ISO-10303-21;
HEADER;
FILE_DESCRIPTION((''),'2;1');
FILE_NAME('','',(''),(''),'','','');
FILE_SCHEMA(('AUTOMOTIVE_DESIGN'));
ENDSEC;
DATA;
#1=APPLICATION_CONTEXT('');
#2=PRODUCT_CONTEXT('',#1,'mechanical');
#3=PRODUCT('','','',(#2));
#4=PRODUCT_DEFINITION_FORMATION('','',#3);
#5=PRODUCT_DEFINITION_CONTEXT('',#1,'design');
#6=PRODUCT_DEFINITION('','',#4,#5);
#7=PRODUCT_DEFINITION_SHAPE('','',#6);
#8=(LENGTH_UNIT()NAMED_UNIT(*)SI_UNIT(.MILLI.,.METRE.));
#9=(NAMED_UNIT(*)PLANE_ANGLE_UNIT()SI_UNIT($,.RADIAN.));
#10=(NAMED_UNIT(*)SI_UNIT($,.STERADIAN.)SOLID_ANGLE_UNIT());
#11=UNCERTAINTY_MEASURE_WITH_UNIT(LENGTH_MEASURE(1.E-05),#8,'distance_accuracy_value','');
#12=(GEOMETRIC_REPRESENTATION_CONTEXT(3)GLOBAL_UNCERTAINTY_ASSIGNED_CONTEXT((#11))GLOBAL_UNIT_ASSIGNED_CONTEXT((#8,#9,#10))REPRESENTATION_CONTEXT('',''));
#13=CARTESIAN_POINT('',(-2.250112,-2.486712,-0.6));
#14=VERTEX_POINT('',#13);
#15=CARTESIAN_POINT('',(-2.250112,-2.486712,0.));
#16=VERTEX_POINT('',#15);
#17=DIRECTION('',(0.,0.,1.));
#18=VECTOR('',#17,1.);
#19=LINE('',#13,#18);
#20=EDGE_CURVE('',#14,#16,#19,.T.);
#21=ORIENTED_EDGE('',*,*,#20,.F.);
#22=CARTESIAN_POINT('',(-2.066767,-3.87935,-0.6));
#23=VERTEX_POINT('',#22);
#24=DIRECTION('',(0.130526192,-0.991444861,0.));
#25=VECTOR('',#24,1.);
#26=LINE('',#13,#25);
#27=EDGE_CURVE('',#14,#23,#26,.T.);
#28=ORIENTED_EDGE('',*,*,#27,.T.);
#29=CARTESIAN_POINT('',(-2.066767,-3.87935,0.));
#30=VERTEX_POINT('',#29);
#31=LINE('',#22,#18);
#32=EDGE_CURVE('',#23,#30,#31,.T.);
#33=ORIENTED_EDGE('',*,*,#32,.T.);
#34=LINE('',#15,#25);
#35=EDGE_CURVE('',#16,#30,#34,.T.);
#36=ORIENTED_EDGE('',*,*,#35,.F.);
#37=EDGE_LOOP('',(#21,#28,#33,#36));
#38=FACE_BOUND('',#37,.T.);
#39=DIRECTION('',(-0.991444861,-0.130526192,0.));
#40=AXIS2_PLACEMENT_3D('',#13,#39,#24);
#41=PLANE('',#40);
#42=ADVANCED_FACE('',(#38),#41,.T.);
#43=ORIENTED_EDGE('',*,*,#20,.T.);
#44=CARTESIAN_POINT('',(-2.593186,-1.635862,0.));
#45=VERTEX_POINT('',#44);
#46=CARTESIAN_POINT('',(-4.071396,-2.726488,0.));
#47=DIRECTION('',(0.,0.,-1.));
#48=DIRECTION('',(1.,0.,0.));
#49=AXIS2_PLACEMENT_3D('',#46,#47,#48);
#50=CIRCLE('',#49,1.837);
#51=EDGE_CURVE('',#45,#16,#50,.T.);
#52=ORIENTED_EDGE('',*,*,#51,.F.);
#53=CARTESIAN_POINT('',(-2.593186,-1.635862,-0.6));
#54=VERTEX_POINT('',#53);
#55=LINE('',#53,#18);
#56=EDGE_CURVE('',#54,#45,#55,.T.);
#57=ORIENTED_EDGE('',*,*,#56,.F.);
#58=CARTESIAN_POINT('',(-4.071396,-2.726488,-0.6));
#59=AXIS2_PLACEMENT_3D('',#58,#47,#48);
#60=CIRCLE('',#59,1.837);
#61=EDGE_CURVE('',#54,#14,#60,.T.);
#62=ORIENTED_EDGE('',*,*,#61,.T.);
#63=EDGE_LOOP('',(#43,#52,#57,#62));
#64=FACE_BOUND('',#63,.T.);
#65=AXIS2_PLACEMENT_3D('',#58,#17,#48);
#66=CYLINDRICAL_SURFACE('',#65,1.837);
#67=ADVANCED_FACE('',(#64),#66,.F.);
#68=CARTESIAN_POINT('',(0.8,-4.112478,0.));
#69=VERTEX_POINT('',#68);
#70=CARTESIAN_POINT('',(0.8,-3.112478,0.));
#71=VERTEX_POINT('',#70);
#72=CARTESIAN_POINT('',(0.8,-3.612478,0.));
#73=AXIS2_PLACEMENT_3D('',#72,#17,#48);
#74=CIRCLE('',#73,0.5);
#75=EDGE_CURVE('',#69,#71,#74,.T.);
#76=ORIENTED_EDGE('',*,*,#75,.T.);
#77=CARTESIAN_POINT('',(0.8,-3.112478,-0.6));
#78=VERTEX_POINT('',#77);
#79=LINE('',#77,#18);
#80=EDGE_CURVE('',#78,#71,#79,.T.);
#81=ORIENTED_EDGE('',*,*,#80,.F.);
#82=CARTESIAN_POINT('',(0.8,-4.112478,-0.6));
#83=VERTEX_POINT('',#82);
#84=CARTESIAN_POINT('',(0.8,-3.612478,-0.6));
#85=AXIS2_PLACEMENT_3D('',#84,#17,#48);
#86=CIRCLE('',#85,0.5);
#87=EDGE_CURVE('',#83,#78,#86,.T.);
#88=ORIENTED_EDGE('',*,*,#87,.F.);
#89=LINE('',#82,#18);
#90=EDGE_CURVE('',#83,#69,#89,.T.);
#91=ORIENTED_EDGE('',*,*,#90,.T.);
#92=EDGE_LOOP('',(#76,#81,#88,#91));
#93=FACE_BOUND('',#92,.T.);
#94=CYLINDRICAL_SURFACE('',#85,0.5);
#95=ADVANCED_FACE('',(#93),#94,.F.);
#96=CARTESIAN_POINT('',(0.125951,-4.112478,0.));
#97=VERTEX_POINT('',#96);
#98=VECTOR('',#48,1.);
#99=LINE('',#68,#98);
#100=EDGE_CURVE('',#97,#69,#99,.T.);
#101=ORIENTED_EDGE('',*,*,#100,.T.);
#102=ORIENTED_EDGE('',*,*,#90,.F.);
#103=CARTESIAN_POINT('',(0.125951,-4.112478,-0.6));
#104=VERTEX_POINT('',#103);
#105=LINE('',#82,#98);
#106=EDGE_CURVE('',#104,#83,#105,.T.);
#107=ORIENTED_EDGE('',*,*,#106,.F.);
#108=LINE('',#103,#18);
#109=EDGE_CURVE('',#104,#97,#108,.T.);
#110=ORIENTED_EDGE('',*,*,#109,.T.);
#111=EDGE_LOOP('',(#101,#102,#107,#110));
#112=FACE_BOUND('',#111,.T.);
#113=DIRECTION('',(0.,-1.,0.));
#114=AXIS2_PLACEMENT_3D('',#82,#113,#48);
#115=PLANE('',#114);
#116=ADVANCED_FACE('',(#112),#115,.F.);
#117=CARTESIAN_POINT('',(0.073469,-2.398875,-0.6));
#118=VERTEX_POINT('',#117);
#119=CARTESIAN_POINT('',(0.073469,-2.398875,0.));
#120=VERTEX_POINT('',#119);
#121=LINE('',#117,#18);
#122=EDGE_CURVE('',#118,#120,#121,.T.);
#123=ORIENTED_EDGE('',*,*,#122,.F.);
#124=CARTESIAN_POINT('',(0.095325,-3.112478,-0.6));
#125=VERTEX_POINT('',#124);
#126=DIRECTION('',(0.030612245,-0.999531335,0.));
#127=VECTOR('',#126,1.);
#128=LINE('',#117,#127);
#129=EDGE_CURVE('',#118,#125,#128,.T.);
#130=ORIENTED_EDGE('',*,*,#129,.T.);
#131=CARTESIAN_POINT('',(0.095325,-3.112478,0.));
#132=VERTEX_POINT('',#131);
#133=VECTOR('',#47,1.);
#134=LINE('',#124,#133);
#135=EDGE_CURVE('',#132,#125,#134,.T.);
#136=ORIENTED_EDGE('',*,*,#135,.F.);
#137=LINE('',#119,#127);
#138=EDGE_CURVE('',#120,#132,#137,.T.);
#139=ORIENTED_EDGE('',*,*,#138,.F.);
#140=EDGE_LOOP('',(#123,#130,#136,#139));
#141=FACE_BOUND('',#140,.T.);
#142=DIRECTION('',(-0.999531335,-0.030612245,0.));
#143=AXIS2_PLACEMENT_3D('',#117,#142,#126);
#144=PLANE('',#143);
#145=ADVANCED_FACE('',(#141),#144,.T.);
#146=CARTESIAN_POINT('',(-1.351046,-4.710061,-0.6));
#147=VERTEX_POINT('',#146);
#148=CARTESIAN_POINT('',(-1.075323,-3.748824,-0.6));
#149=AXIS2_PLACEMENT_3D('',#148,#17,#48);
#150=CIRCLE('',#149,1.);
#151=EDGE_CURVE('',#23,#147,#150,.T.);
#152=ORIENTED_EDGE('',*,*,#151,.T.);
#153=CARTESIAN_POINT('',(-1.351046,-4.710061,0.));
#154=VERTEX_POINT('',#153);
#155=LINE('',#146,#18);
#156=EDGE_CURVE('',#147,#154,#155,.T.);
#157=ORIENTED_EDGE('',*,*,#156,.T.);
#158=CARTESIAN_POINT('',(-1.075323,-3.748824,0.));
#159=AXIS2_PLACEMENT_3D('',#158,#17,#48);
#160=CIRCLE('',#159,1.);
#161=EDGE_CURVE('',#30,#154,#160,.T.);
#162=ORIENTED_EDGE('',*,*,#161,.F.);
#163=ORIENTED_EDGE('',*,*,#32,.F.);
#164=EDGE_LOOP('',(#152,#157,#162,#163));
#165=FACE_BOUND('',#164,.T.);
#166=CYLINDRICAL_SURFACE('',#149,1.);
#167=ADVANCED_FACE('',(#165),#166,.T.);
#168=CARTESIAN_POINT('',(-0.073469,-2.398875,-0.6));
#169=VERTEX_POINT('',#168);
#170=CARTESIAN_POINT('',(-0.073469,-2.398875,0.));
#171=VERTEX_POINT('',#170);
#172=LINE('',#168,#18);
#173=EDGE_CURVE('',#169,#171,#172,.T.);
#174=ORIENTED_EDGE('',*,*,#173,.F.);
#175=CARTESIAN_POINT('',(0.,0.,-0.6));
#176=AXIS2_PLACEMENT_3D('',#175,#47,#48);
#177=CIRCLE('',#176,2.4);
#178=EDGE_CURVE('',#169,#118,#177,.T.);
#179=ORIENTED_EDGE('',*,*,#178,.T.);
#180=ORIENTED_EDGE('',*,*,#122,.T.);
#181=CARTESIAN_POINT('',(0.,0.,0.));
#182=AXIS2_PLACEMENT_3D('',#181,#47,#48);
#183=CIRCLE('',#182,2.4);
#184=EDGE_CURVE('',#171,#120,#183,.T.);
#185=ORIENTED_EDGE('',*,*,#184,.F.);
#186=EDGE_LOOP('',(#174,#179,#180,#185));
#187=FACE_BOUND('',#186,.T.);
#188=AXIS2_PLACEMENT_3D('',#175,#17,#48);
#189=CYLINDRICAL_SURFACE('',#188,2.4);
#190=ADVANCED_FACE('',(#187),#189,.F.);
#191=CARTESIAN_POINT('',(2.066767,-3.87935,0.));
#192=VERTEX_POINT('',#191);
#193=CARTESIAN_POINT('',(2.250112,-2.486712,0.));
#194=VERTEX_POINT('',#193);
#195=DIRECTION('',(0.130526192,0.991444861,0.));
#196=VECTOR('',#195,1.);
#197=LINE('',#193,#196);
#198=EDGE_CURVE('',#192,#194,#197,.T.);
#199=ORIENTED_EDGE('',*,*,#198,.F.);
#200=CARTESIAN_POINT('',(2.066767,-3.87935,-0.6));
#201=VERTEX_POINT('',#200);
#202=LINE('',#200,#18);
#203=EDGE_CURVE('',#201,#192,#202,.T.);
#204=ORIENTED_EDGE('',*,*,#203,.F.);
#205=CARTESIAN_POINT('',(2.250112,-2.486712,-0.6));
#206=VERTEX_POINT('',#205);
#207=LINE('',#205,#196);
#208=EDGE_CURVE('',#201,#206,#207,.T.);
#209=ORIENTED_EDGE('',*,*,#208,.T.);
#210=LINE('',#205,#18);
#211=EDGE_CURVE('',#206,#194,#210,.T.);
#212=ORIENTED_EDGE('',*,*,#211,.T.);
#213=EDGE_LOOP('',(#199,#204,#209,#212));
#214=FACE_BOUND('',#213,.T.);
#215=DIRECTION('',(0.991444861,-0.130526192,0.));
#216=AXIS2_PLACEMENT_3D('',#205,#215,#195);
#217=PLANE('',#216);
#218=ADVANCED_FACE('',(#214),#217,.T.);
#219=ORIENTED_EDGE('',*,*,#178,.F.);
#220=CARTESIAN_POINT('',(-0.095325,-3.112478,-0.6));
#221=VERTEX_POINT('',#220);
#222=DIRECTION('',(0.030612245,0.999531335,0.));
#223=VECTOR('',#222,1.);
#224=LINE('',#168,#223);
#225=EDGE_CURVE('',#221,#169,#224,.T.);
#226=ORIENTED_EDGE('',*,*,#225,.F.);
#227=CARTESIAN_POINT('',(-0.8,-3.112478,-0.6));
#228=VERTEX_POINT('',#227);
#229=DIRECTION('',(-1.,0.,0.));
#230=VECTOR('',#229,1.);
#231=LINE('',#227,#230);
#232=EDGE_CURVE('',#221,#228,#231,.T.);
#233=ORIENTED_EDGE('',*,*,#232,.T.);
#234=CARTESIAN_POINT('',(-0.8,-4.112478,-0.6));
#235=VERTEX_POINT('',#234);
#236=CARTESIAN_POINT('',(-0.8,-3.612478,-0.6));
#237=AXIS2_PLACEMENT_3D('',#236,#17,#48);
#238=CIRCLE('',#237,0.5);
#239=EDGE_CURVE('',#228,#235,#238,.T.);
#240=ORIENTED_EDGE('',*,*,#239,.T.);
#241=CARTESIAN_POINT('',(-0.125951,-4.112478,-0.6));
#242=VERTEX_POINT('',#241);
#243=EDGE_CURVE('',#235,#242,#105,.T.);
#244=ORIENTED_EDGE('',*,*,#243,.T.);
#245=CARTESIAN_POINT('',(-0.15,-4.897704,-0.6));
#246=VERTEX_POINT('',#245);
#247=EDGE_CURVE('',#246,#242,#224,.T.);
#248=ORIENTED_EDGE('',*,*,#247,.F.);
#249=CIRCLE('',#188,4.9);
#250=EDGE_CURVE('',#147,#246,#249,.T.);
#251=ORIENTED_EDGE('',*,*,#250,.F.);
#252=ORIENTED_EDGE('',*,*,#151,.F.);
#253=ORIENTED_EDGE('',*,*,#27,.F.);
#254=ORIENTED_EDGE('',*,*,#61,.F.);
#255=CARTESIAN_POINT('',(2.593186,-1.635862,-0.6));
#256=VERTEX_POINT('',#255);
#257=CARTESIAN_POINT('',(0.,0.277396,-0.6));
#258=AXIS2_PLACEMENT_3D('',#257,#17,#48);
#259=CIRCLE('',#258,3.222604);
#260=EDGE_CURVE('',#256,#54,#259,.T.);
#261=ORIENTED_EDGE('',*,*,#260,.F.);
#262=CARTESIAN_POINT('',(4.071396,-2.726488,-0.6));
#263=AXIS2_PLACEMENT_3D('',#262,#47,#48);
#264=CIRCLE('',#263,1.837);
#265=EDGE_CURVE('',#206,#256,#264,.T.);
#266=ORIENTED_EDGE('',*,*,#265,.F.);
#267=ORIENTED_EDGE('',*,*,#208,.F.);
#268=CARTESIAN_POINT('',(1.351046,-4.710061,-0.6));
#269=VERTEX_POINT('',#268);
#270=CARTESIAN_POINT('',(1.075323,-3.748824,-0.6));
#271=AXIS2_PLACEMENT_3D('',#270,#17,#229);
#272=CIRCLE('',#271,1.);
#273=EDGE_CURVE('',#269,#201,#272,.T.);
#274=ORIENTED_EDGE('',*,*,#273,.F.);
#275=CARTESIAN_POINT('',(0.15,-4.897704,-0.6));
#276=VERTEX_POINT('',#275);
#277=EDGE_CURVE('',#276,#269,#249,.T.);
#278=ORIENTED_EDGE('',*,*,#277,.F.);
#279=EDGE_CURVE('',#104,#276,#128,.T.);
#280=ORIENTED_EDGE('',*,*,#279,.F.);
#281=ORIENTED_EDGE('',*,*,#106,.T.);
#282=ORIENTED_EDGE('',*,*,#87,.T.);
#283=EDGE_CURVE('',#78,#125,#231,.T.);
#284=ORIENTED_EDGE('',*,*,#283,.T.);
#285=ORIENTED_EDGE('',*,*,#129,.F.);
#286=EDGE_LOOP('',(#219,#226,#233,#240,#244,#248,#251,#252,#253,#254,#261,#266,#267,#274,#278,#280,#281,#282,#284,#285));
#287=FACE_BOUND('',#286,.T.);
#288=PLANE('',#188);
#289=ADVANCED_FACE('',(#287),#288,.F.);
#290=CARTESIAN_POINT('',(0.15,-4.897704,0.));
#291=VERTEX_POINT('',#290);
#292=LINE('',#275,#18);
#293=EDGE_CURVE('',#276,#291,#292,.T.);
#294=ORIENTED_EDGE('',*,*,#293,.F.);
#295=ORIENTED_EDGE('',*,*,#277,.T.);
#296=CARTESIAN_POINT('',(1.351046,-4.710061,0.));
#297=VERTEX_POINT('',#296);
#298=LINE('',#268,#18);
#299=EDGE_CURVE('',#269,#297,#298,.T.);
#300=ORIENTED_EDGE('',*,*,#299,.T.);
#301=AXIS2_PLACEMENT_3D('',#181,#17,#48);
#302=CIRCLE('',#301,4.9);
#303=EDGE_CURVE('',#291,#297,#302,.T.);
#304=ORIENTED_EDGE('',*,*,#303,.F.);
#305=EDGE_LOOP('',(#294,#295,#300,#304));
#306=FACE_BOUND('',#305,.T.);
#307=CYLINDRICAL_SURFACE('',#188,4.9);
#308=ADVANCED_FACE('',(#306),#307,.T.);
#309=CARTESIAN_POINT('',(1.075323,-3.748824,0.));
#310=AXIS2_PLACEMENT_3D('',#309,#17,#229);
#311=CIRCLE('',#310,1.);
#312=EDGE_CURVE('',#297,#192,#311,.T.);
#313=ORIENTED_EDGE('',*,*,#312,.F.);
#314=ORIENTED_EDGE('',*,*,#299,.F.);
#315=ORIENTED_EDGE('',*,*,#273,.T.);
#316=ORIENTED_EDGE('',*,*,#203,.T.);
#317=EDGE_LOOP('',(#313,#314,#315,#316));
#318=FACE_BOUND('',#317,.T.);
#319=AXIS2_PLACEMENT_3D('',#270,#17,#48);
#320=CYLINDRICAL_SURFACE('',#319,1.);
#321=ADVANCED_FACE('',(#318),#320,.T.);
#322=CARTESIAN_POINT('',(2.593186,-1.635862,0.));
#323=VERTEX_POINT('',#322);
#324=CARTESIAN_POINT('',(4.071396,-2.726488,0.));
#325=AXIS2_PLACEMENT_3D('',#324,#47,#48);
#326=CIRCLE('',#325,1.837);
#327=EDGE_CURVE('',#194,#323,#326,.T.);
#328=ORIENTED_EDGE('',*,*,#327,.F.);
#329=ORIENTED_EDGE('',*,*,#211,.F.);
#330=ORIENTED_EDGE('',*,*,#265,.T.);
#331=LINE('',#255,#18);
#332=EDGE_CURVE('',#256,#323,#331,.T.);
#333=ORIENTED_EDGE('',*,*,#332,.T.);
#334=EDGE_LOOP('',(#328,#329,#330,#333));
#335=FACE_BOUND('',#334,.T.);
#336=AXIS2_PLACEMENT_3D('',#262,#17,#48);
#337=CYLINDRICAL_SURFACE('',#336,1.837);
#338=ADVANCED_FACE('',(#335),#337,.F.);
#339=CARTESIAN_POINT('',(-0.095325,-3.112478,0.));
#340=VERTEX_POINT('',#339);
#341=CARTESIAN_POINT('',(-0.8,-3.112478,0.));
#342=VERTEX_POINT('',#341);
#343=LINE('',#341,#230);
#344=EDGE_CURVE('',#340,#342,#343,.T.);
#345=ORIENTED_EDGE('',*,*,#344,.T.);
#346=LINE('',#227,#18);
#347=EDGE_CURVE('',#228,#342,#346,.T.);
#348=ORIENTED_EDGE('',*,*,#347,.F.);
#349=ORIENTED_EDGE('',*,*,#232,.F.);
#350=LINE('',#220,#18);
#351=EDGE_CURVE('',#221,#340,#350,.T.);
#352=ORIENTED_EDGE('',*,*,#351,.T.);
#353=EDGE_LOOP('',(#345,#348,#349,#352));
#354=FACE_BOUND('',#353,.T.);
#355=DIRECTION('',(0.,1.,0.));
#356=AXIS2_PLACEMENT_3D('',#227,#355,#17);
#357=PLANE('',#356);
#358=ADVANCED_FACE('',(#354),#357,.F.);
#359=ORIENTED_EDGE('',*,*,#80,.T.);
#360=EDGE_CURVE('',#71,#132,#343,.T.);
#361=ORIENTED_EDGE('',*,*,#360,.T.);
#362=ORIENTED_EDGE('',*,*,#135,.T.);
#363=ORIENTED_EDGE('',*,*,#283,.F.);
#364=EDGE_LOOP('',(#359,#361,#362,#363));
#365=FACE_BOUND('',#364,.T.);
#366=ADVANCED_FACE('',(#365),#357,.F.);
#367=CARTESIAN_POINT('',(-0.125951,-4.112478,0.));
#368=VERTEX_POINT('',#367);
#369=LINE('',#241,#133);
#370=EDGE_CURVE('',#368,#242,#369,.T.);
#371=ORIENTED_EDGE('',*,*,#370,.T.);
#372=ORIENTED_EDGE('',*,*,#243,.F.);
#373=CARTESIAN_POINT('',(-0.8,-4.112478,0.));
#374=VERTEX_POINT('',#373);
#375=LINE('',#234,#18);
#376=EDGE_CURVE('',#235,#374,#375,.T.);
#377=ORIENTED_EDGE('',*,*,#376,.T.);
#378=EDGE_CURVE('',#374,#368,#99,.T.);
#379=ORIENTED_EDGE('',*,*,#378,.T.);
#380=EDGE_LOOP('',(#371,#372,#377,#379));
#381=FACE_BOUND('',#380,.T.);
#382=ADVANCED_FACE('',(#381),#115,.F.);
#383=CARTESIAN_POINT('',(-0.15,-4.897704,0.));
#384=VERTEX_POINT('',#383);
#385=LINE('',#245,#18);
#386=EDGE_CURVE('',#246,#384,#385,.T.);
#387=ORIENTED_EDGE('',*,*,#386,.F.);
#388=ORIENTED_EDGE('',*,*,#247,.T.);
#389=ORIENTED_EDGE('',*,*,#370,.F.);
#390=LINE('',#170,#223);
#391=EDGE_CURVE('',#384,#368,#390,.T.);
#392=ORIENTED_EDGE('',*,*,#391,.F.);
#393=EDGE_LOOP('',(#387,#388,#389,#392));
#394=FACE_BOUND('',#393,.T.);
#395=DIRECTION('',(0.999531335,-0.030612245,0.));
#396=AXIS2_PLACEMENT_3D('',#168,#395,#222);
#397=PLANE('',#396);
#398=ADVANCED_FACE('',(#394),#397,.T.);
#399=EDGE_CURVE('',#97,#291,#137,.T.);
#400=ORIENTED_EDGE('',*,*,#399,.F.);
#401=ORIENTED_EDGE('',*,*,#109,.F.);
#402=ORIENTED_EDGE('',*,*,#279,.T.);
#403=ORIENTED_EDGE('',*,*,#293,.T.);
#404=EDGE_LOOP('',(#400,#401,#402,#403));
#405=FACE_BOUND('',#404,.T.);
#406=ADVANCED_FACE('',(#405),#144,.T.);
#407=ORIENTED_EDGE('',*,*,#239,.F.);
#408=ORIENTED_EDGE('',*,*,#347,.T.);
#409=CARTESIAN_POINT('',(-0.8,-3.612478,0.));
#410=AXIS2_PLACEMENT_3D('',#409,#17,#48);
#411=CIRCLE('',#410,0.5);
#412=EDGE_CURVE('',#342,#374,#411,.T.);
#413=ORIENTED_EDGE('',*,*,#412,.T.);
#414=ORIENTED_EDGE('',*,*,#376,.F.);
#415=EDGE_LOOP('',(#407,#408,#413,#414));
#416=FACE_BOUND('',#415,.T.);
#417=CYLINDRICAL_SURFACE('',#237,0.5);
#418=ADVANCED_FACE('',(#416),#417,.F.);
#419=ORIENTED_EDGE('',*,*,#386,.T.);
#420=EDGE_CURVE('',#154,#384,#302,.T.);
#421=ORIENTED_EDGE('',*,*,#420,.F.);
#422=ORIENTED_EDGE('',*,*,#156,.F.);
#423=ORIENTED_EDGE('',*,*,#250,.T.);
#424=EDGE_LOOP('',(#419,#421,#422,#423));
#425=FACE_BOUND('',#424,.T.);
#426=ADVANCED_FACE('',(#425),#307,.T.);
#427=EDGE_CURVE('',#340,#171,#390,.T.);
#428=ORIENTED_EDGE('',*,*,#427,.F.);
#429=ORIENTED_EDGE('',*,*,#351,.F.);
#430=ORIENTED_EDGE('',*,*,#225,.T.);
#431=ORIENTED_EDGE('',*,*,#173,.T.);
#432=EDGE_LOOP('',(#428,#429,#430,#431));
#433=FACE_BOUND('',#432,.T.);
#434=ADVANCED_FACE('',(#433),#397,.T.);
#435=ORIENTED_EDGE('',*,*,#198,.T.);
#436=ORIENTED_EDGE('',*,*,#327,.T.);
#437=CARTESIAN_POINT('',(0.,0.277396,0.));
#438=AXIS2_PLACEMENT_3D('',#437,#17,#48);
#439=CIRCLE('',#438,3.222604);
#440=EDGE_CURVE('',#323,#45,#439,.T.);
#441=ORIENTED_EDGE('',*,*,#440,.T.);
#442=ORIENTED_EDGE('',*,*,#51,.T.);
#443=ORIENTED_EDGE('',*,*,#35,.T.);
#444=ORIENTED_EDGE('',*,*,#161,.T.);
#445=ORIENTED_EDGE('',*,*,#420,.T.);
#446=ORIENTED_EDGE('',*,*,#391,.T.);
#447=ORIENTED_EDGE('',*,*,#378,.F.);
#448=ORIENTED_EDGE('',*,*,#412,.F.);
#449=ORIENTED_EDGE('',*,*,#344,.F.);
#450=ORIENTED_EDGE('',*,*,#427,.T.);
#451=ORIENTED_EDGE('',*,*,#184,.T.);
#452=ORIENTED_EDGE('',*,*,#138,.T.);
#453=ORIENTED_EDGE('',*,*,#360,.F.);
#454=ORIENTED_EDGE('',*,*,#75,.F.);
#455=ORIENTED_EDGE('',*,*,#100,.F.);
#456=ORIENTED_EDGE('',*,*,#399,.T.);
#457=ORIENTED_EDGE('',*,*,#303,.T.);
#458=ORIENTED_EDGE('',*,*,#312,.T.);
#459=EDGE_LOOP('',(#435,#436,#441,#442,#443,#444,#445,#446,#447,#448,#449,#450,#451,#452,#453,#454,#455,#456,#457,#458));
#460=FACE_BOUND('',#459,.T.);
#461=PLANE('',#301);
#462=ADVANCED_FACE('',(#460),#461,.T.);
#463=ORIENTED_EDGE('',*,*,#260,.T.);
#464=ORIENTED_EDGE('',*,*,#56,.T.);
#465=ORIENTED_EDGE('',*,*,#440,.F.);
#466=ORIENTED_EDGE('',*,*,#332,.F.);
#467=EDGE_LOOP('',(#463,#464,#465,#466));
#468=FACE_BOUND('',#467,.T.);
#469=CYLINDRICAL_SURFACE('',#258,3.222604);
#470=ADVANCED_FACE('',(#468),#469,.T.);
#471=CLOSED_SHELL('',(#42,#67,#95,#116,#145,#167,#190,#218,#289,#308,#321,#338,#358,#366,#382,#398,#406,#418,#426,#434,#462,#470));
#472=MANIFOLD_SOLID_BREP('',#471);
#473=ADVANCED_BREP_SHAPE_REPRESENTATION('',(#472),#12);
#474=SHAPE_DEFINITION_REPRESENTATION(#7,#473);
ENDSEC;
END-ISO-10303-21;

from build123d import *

# Parameters (mm, degrees)
BODYSKE_R   = 0.5
BODY_DEPTH  = 0.6
NOTSKE_W    = 1.6
NOTSKE_H    = 1
NOTCH_DEPTH = 6.893443333


with BuildPart() as part:
    # BodySke → Body (new body)
    with BuildSketch(Plane.XY):
        with BuildLine():
            Line((0.073469388, -2.398875205), (0.15, -4.897703543))
            ThreePointArc((0.15, -4.897703543), (0.756364658, -4.841271786), (1.351046377, -4.710060901))
            ThreePointArc((1.351046377, -4.710060901), (1.832916944, -4.40154969), (2.066767488, -3.879350174))
            Line((2.066767488, -3.879350174), (2.250111825, -2.486711672))
            ThreePointArc((2.250111825, -2.486711672), (2.367679184, -2.039525525), (2.593186415, -1.635862271))
            ThreePointArc((2.593186415, -1.635862271), (0, 3.5), (-2.593186415, -1.635862271))
            ThreePointArc((-2.593186415, -1.635862271), (-2.367679184, -2.039525525), (-2.250111825, -2.486711672))
            Line((-2.250111825, -2.486711672), (-2.066767488, -3.879350174))
            ThreePointArc((-2.066767488, -3.879350174), (-1.832916944, -4.40154969), (-1.351046377, -4.710060901))
            ThreePointArc((-1.351046377, -4.710060901), (-0.756364658, -4.841271786), (-0.15, -4.897703543))
            Line((-0.15, -4.897703543), (-0.073469388, -2.398875205))
            ThreePointArc((-0.073469388, -2.398875205), (0, 2.4), (0.073469388, -2.398875205))
        make_face()
        with Locations((0.8, -3.612478374)):
            Circle(BODYSKE_R, mode=Mode.SUBTRACT)
        with Locations((-0.8, -3.612478374)):
            Circle(BODYSKE_R, mode=Mode.SUBTRACT)
    extrude(amount=-BODY_DEPTH)

    # NotSke → Notch (cut, through all)
    with BuildSketch(Plane.XY):
        with Locations((0, -3.612478374)):
            Rectangle(NOTSKE_W, NOTSKE_H)
    extrude(amount=-NOTCH_DEPTH, mode=Mode.SUBTRACT)


solid = part.part
